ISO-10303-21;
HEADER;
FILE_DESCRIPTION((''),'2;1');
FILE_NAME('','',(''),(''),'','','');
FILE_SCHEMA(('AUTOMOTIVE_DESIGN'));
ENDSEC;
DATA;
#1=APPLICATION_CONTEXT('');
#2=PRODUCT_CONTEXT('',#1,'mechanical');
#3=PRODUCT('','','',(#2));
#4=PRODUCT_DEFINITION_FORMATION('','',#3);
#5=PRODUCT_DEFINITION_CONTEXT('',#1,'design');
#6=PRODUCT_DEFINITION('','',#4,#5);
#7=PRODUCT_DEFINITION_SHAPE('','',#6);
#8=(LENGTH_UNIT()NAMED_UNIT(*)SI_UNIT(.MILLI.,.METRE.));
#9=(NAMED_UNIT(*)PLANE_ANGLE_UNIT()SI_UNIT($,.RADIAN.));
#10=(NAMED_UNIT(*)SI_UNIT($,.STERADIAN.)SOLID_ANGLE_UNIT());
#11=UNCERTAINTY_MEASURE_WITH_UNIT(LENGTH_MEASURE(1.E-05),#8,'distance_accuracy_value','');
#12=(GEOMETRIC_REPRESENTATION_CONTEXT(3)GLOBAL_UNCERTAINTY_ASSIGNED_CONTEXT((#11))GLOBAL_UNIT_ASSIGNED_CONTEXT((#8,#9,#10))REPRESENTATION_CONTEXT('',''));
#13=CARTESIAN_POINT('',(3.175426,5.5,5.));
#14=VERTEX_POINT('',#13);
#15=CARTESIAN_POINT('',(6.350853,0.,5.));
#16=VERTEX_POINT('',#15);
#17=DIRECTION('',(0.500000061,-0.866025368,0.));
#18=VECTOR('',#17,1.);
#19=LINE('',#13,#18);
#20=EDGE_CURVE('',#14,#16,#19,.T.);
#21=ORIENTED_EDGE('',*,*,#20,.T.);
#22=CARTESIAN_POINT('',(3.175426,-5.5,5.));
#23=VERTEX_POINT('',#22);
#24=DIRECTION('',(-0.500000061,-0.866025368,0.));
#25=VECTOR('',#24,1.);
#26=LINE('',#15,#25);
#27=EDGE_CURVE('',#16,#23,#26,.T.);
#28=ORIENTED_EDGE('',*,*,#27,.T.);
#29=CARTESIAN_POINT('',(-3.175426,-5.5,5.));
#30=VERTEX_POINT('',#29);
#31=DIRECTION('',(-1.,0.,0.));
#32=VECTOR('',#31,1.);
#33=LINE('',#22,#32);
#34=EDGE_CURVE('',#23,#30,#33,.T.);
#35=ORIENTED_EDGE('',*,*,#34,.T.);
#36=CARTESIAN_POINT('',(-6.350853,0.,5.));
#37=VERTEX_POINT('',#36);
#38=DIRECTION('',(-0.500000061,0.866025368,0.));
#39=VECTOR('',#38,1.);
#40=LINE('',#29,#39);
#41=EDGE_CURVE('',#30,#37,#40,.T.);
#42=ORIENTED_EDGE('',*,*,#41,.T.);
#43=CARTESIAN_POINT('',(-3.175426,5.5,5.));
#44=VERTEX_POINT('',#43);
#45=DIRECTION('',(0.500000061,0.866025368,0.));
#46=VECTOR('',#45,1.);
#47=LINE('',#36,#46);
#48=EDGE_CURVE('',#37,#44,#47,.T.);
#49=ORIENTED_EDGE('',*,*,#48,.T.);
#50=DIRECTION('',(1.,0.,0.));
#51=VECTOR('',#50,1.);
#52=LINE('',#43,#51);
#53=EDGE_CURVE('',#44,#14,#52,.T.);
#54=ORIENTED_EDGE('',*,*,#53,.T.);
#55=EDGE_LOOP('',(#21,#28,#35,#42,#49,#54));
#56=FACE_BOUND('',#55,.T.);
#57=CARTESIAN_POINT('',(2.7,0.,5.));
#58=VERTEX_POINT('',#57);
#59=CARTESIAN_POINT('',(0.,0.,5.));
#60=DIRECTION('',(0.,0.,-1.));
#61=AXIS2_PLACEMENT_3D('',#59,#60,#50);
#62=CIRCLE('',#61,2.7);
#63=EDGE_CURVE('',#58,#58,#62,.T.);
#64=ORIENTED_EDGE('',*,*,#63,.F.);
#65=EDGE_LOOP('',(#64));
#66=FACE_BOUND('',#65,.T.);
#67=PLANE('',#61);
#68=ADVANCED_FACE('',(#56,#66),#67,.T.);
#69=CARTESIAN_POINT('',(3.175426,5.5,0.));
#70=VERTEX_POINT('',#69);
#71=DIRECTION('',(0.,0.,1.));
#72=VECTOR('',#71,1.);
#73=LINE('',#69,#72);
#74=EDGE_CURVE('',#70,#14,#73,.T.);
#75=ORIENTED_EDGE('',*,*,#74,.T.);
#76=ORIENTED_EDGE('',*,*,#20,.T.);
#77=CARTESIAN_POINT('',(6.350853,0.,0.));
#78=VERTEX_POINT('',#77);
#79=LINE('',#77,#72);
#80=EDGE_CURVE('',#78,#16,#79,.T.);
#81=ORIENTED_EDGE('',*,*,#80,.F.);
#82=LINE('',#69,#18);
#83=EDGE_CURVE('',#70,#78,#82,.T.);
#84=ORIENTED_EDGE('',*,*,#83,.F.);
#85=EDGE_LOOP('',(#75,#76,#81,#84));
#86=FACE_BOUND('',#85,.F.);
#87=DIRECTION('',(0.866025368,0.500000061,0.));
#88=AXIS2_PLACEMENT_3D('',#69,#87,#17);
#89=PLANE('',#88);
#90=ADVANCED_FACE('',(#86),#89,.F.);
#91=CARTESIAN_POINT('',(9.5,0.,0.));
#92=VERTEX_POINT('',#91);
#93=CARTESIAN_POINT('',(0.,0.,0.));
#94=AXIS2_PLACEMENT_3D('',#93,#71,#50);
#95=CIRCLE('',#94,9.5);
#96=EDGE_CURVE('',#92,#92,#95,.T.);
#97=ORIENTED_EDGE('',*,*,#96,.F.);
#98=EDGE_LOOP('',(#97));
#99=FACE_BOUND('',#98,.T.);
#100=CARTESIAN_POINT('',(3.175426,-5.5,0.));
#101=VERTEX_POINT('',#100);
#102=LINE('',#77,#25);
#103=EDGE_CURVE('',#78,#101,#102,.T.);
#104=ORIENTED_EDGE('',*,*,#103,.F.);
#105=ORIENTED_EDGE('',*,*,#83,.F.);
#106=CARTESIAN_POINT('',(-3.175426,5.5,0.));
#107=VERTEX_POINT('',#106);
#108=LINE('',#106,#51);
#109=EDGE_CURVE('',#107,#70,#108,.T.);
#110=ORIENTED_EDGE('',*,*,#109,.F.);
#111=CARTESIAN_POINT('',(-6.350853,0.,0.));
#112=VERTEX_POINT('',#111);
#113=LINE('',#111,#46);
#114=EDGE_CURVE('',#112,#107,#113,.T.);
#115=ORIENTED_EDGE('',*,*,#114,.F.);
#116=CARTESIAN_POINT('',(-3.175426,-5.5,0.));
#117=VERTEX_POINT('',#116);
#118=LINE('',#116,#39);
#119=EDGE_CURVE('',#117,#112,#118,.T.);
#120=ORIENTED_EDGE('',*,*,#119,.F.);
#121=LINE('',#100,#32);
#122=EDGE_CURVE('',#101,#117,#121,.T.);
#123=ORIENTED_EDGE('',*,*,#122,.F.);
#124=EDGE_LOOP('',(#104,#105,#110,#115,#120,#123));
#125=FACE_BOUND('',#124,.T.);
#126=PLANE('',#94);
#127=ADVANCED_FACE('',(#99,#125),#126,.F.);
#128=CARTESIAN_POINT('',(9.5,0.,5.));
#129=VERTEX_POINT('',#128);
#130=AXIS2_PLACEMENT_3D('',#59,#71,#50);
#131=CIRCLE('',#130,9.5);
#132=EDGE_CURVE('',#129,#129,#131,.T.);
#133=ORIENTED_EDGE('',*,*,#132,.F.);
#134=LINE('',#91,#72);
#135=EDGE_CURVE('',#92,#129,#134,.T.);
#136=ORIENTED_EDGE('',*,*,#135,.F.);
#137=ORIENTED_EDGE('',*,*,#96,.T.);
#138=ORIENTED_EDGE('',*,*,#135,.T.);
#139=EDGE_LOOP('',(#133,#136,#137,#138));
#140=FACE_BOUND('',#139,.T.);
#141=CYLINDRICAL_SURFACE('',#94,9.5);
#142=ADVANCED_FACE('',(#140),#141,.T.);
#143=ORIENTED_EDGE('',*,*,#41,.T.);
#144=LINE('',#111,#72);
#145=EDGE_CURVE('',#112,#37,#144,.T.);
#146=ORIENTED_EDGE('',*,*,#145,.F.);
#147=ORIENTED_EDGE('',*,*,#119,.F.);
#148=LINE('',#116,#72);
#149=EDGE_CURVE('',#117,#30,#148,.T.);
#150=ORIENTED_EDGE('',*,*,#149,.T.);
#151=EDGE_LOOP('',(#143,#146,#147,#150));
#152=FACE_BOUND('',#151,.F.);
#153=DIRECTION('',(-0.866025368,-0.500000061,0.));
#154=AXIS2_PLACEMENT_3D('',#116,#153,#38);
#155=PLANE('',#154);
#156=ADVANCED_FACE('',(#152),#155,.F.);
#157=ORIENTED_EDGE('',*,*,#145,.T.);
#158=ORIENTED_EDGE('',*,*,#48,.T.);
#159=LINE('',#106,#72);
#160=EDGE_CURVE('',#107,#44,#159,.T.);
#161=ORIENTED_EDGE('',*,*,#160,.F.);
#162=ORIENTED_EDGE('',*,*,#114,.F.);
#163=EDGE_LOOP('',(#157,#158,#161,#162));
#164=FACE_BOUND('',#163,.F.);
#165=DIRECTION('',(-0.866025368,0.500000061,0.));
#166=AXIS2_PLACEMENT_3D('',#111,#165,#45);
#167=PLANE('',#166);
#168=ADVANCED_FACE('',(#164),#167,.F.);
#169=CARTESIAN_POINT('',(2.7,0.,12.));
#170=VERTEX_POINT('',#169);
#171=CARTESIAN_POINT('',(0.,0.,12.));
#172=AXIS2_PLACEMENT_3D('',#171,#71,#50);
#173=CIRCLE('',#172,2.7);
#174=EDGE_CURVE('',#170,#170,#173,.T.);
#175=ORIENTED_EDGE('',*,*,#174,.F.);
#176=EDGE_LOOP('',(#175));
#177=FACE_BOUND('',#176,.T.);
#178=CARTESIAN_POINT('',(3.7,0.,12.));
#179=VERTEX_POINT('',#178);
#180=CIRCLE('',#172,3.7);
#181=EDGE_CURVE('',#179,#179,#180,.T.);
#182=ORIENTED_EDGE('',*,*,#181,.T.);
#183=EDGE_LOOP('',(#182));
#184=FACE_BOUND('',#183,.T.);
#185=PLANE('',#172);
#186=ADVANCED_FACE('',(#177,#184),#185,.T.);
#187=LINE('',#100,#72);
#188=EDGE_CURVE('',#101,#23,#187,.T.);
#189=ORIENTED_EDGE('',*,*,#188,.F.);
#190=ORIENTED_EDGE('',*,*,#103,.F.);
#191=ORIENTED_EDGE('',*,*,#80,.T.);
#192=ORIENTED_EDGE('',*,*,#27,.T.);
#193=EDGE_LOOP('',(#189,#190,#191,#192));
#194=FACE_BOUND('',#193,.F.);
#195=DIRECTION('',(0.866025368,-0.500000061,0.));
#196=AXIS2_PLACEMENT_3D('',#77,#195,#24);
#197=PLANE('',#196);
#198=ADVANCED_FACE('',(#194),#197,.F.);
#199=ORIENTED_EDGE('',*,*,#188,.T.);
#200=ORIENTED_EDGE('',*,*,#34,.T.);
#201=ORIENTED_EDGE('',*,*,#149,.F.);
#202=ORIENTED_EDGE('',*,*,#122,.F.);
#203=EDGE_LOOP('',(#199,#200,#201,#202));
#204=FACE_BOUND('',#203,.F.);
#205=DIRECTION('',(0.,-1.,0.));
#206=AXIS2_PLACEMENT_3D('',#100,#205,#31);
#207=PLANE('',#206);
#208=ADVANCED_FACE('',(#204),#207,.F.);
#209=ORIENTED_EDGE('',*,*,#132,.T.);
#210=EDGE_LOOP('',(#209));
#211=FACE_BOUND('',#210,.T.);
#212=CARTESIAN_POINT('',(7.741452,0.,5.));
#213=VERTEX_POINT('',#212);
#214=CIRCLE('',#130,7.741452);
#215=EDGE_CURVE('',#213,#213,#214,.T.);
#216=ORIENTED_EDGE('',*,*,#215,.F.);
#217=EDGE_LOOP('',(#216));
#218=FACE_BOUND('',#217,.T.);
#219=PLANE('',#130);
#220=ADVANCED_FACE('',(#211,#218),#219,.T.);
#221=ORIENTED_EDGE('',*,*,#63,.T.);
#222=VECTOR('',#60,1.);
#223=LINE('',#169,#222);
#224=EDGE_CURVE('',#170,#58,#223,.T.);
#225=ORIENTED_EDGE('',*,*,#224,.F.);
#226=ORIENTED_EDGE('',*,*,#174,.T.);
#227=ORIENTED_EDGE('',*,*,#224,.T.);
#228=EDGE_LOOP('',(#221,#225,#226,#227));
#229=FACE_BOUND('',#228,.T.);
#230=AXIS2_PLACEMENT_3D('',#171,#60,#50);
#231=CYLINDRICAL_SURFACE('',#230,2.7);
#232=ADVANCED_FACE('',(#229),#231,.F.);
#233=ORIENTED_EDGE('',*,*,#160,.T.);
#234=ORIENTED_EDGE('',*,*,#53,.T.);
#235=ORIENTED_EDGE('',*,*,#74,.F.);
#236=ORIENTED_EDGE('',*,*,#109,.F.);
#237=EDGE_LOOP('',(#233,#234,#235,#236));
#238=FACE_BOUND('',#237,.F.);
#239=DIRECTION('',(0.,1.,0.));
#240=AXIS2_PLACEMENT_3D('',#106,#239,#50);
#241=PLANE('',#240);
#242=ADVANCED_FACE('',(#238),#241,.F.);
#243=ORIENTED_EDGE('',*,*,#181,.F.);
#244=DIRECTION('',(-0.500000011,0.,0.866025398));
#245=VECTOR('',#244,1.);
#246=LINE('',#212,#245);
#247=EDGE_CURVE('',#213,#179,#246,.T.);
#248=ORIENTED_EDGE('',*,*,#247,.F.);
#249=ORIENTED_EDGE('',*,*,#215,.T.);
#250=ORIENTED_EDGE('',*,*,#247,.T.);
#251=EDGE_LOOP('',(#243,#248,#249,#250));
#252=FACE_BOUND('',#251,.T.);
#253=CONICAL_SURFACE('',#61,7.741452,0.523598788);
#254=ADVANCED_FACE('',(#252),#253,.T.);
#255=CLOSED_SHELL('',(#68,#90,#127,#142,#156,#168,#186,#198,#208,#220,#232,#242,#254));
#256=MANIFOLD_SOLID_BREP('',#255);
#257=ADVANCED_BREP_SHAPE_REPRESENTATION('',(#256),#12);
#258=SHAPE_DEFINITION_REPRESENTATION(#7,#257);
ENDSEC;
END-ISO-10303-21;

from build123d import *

# Parameters (mm, degrees)
POCKET_DEPTH = 5


with BuildPart() as part:
    # Sketch → Revolution (revolve)
    with BuildSketch(Plane.XZ):
        Polygon((2.7, 12), (2.7, 0), (9.5, 0), (9.5, 5), (7.741452, 5), (3.7, 12), align=None)
    revolve(axis=Axis((0, 0, 0), (0, 0, 1)))

    # Sketch001 (on DatumPlane) → Pocket (cut)
    with BuildSketch(Plane(origin=(0, 0, 0), x_dir=(1, 0, 0), z_dir=(0, 0, -1))):
        Polygon((3.175426, -5.5), (6.350853, 0), (3.175426, 5.5), (-3.175426, 5.5), (-6.350853, 0), (-3.175426, -5.5), align=None)
    extrude(amount=-POCKET_DEPTH, mode=Mode.SUBTRACT)


solid = part.part
